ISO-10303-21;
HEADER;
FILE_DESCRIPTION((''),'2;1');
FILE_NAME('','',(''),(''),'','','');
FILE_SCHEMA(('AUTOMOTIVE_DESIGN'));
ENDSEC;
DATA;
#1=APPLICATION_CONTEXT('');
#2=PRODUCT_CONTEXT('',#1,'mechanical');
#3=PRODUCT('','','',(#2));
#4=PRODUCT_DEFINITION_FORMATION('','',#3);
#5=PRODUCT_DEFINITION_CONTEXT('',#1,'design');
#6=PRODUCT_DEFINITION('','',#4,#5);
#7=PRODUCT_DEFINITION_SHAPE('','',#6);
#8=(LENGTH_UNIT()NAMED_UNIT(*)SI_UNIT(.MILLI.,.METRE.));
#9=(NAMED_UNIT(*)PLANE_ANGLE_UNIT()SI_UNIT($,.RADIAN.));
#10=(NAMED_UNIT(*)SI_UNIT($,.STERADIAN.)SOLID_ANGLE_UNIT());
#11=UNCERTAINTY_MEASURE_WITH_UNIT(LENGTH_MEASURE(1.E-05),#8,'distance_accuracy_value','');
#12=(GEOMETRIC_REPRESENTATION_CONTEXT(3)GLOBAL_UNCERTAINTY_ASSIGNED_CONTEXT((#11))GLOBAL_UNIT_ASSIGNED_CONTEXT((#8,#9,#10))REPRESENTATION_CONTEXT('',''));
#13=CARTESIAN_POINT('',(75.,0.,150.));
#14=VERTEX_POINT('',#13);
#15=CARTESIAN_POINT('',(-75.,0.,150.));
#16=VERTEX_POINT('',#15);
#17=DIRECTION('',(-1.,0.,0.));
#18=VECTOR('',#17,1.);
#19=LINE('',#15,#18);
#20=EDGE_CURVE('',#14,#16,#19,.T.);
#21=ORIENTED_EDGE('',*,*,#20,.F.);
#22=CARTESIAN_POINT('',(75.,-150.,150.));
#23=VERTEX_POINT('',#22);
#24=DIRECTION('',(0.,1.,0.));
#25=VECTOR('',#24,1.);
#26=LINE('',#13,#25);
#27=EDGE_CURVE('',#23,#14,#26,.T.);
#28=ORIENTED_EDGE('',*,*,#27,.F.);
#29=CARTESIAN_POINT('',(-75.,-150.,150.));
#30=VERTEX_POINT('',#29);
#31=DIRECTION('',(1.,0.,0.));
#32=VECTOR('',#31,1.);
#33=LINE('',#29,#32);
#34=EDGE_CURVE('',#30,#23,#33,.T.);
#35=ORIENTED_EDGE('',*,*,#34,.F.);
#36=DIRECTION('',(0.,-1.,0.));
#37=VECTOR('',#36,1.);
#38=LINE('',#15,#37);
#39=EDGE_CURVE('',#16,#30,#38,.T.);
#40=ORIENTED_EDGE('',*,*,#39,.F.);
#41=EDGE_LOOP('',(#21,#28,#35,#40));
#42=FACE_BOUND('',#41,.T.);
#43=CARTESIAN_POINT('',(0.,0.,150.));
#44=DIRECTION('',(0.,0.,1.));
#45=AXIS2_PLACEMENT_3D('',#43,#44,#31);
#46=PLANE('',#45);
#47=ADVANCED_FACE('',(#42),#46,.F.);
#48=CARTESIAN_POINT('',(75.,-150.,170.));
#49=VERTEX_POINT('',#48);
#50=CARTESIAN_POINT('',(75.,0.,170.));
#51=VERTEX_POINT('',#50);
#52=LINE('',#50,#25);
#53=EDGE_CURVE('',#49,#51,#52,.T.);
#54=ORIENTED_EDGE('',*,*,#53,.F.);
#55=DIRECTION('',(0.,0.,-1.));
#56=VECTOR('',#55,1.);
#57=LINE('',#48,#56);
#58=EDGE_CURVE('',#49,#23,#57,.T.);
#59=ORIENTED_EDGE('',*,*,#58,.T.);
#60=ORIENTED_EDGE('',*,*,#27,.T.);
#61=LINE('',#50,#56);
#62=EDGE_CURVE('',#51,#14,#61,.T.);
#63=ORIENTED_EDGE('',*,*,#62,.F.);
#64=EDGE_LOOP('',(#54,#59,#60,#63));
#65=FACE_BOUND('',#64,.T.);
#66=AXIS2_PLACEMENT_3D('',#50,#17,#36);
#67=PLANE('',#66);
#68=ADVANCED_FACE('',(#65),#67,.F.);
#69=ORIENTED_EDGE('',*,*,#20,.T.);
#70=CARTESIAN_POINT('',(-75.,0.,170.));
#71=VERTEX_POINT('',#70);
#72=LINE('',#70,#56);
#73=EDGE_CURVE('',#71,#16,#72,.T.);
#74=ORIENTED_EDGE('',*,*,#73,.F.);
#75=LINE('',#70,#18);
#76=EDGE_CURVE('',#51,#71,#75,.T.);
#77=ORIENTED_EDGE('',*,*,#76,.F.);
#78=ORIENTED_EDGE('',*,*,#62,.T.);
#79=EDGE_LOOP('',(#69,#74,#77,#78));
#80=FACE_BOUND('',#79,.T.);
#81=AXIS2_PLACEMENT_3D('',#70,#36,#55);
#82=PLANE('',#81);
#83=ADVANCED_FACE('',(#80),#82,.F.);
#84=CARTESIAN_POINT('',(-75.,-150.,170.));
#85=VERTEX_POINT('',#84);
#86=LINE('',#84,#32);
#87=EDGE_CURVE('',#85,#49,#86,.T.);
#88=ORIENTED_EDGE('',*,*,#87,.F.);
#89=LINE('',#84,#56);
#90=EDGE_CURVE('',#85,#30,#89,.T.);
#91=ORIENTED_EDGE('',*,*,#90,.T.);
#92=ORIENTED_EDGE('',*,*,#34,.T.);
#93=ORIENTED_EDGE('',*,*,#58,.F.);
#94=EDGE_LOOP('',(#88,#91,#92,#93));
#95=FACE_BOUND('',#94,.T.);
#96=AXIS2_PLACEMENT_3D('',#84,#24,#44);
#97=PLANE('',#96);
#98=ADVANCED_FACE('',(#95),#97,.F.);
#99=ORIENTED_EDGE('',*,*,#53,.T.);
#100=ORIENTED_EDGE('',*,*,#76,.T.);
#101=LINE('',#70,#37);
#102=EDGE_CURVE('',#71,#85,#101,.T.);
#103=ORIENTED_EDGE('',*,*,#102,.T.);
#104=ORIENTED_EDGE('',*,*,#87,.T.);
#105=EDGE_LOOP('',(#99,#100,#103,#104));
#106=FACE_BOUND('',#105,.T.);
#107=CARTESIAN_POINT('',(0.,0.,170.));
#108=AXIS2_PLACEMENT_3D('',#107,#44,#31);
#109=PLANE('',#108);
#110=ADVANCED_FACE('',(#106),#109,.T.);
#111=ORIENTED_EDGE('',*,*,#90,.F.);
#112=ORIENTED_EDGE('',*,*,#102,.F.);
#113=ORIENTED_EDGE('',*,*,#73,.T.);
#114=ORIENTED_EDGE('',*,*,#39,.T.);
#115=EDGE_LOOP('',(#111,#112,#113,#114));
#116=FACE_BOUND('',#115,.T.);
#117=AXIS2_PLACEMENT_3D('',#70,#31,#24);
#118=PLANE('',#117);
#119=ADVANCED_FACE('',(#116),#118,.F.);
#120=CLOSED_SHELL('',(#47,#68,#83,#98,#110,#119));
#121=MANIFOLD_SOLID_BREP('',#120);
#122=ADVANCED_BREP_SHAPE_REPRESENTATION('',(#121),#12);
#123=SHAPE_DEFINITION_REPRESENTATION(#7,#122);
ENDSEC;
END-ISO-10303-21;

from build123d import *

# Parameters (mm, degrees)
SKETCH16_W          = 150
SKETCH16_H          = 150
BOSS_EXTRUDE6_DEPTH = 20


with BuildPart() as part:
    # Sketch16 → Boss-Extrude6 (new body)
    with BuildSketch(Plane.XY.offset(150)):
        with Locations((0, -75)):
            Rectangle(SKETCH16_W, SKETCH16_H)
    extrude(amount=BOSS_EXTRUDE6_DEPTH)


solid = part.part
